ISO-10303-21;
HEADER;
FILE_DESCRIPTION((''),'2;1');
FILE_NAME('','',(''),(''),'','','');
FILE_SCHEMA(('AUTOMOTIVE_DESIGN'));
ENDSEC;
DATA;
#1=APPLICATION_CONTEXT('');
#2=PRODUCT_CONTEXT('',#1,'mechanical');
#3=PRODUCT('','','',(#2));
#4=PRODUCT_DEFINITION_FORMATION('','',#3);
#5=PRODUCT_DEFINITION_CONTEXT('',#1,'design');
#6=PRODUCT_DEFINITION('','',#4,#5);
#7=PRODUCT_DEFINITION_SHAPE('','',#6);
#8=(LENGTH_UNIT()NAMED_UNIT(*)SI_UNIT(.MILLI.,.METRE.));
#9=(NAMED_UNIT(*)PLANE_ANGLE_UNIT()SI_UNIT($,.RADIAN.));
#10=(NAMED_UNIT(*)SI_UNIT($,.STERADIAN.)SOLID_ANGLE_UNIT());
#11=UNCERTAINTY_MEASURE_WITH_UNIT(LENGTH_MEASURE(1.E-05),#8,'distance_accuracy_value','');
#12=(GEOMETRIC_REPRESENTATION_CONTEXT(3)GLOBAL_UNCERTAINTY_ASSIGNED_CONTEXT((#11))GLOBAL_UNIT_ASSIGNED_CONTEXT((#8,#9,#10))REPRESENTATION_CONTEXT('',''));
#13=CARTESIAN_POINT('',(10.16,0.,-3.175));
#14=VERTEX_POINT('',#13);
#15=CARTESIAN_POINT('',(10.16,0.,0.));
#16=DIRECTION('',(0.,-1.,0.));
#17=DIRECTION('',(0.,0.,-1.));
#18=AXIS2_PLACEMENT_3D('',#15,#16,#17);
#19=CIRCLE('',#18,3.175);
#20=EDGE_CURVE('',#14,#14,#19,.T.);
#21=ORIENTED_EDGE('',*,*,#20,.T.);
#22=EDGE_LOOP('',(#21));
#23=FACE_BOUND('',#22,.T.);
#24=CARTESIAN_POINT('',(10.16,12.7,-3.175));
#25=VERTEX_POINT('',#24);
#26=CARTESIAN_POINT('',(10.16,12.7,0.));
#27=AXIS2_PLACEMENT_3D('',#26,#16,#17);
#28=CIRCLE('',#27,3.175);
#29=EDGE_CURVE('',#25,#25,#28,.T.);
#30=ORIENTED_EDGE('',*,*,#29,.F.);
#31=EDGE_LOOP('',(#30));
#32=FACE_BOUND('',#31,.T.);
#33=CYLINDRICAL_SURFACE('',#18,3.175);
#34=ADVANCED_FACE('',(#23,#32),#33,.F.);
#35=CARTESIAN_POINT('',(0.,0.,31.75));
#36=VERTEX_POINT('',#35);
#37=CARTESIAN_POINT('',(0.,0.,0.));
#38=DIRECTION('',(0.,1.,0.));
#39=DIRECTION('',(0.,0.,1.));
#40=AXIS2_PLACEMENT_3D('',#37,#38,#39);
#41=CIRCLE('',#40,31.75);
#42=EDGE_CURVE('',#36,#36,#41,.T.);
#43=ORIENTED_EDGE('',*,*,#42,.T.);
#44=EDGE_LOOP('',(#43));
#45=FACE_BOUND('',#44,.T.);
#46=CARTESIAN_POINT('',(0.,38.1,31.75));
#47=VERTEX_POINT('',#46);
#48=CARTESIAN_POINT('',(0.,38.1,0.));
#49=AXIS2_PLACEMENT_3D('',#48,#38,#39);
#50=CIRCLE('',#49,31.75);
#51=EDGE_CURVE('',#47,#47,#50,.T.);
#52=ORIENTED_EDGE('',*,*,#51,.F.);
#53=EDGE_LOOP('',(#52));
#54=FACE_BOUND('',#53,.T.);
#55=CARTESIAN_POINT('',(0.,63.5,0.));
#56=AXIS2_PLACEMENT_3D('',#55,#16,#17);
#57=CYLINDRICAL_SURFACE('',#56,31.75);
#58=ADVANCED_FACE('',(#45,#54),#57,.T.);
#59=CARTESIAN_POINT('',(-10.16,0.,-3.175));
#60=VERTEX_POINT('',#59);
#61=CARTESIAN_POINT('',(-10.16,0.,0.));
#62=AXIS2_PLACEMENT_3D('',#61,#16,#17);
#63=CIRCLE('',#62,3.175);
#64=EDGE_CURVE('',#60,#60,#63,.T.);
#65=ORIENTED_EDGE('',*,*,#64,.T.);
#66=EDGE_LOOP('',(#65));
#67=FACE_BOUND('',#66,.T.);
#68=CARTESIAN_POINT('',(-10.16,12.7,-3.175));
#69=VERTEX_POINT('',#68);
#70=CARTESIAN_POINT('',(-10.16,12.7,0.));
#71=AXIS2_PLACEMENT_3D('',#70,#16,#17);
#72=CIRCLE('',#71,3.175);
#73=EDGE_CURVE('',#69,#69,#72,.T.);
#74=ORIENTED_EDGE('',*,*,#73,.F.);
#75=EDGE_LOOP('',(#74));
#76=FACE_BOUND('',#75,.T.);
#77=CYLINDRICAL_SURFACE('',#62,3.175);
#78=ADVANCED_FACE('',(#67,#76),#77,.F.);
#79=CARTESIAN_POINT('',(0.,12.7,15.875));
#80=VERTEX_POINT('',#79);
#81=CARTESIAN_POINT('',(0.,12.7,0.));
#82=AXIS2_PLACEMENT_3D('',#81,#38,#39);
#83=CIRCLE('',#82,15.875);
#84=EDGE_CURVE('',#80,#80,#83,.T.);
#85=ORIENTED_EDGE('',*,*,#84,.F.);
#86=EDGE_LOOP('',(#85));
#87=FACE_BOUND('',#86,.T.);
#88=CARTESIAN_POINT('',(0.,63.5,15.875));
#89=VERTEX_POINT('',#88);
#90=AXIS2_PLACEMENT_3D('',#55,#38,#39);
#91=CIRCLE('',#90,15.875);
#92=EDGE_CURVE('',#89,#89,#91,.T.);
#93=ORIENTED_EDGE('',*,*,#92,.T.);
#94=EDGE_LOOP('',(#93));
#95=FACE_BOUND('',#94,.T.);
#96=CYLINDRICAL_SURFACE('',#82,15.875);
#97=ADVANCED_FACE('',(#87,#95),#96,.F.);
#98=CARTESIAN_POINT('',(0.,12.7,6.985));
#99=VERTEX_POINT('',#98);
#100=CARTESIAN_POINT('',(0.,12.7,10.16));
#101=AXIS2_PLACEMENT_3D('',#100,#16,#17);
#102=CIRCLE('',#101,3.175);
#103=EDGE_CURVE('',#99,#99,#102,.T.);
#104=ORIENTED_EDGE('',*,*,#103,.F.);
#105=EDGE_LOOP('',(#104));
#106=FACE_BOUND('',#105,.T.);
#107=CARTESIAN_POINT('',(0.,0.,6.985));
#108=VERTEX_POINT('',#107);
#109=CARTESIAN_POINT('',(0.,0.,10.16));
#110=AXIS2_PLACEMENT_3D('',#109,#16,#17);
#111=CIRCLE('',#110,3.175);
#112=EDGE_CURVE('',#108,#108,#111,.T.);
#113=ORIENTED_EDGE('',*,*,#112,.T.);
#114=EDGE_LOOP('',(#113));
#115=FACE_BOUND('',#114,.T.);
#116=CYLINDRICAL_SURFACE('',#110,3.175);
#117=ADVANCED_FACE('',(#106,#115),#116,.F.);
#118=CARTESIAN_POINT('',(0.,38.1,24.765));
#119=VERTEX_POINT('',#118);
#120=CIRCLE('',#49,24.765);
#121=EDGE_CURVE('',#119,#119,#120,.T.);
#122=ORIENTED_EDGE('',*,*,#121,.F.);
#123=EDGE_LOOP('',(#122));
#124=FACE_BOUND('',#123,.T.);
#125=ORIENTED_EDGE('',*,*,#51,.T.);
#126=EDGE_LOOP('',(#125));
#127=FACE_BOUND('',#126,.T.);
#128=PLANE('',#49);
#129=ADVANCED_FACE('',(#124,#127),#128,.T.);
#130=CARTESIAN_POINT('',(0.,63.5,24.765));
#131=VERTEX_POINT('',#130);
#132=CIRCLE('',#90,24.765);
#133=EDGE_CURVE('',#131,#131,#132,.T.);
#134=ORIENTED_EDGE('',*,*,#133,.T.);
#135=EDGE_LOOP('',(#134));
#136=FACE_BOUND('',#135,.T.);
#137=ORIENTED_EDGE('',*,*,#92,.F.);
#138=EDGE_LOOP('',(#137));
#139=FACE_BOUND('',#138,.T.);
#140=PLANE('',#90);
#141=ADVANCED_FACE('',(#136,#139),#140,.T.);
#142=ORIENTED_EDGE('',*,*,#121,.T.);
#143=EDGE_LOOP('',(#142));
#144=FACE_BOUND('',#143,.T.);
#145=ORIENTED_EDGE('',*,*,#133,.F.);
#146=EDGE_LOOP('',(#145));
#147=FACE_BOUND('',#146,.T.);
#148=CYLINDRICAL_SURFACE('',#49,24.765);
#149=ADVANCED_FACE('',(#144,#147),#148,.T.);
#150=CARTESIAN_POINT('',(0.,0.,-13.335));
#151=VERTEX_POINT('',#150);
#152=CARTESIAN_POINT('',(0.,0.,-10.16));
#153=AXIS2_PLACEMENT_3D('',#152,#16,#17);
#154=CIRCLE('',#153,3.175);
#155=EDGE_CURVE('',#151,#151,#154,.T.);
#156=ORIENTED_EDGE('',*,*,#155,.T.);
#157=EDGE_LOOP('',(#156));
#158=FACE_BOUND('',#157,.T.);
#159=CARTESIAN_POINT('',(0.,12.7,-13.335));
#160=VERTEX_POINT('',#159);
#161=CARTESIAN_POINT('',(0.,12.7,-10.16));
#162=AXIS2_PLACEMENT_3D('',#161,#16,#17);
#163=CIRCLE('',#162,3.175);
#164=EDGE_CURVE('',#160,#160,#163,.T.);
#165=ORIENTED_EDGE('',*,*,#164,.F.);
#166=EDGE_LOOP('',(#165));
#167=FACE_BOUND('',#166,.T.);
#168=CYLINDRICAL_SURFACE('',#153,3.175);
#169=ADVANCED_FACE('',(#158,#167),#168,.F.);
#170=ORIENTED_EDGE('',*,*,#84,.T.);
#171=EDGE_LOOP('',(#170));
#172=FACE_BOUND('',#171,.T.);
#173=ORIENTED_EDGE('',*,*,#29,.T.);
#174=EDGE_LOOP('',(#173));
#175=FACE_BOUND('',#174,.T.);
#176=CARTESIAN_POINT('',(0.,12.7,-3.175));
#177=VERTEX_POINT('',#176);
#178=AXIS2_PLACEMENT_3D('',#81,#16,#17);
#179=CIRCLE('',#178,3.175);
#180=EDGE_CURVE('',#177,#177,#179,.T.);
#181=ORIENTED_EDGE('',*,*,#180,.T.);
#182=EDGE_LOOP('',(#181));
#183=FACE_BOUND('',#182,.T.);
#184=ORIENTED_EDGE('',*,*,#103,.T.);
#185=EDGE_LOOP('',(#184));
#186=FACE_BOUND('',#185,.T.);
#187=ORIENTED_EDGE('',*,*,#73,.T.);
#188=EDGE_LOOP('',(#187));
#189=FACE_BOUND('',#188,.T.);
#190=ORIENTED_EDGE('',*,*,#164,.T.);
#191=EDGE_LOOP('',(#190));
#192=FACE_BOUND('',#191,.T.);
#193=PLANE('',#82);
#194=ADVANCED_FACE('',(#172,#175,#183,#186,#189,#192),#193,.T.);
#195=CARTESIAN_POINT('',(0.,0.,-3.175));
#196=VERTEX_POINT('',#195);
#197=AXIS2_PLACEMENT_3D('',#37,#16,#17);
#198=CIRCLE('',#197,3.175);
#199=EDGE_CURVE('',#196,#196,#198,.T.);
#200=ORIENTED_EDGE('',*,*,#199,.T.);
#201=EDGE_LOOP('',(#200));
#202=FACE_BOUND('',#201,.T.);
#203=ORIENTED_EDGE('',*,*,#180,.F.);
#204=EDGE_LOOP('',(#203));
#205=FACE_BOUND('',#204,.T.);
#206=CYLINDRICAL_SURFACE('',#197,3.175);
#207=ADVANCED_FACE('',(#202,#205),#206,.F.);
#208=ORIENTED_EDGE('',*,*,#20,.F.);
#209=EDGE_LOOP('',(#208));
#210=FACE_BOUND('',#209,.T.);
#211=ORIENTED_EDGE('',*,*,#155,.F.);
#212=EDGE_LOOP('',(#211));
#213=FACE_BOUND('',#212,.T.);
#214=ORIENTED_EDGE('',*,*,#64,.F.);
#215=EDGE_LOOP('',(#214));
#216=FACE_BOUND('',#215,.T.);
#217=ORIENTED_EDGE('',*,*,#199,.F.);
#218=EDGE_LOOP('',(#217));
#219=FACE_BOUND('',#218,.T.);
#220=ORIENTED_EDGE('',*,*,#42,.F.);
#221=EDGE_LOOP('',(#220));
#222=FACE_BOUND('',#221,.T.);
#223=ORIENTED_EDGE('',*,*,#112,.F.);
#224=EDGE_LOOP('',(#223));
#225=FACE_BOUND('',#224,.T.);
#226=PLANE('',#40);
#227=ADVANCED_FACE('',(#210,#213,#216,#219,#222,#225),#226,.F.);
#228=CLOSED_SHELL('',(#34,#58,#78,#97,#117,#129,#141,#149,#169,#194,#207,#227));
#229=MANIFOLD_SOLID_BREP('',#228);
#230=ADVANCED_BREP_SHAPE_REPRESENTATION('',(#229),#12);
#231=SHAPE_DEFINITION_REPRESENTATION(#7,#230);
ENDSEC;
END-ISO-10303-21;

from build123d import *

# Parameters (mm, degrees)
SKETCH1_R                            = 31.75
BOSS_EXTRUDE1_DEPTH                  = 63.5
CUT_EXTRUDE2_START                   = -25.4
SKETCH2_R                            = 31.75
SKETCH2_R_2                          = 24.765
CUT_EXTRUDE2_DEPTH                   = 25.4
SKETCH3_R                            = 15.875
CUT_EXTRUDE3_DEPTH                   = 50.8
F_1_4_0_25_DIAMETER_HOLE1_AT_2_COUNT = 2
F_1_4_0_25_DIAMETER_HOLE1_AT_2_PITCH = 10.16
CIRPATTERN1_COUNT                    = 4


with BuildPart() as part:
    # Sketch1 → Boss-Extrude1 (new body)
    with BuildSketch(Plane(origin=(0, 0, 0), x_dir=(1, 0, 0), z_dir=(0, 1, 0))):
        with Locations(Location((0, 0, 0), (0, 0, 270))):
            Circle(SKETCH1_R)
    extrude(amount=BOSS_EXTRUDE1_DEPTH)

    # Sketch2 → Cut-Extrude2 (cut)
    with BuildSketch(Plane(origin=(0, 63.5, 0), x_dir=(1, 0, 0), z_dir=(0, 1, 0)).offset(CUT_EXTRUDE2_START)):
        with Locations(Location((0, 0, 0), (0, 0, 270))):
            Circle(SKETCH2_R)
        with Locations(Location((0, 0, 0), (0, 0, 270))):
            Circle(SKETCH2_R_2, mode=Mode.SUBTRACT)
    extrude(amount=CUT_EXTRUDE2_DEPTH, mode=Mode.SUBTRACT)

    # Sketch3 → Cut-Extrude3 (cut)
    with BuildSketch(Plane(origin=(0, 63.5, 0), x_dir=(1, 0, 0), z_dir=(0, 1, 0))):
        with Locations(Location((0, 0, 0), (0, 0, 270))):
            Circle(SKETCH3_R)
    extrude(amount=-CUT_EXTRUDE3_DEPTH, mode=Mode.SUBTRACT)

    # Sketch9 → 1/4 (0.25) Diameter Hole1 (revolve, cut)
    with BuildSketch(Plane(origin=(0, 0, -10.16), x_dir=(0, 0, -1), z_dir=(1, 0, 0))):
        Polygon((0, 0), (0, 14.607732465), (3.175, 12.7), (3.175, 0), align=None)
    f_1_4_0_25_diameter_hole1 = revolve(axis=Axis((0, -6.35, -10.16), (0, 1, 0)), mode=Mode.SUBTRACT)

    # 1/4 (0.25) Diameter Hole1 at 2: 1/4 (0.25) Diameter Hole1 ×2
    with Locations(*[(0, 0, i * F_1_4_0_25_DIAMETER_HOLE1_AT_2_PITCH) for i in range(1, F_1_4_0_25_DIAMETER_HOLE1_AT_2_COUNT)]):
        add(f_1_4_0_25_diameter_hole1, mode=Mode.SUBTRACT)

    # CirPattern1: 1/4 (0.25) Diameter Hole1 ×4 about axis
    cirpattern1_axis = Axis((0, 0, 0), (0, 1, 0))
    for i in range(1, CIRPATTERN1_COUNT):
        add(f_1_4_0_25_diameter_hole1.rotate(cirpattern1_axis, i * 360 / CIRPATTERN1_COUNT), mode=Mode.SUBTRACT)

    # CirPattern1 copy 1 sketch → CirPattern1 copy 1 (revolve, cut)
    with BuildSketch(Plane(origin=(0, 0, 0), x_dir=(-1, 0, 0), z_dir=(0, 0, -1))):
        Polygon((0, 0), (0, 14.607732465), (3.175, 12.7), (3.175, 0), align=None)
    revolve(axis=Axis((0, -6.35, 0), (0, 1, 0)), mode=Mode.SUBTRACT)

    # CirPattern1 copy 2 sketch → CirPattern1 copy 2 (revolve, cut)
    with BuildSketch(Plane.ZY):
        Polygon((0, 0), (0, 14.607732465), (3.175, 12.7), (3.175, 0), align=None)
    revolve(axis=Axis((0, -6.35, 0), (0, 1, 0)), mode=Mode.SUBTRACT)

    # CirPattern1 copy 3 sketch → CirPattern1 copy 3 (revolve, cut)
    with BuildSketch(Plane.XY):
        Polygon((0, 0), (0, 14.607732465), (3.175, 12.7), (3.175, 0), align=None)
    revolve(axis=Axis((0, -6.35, 0), (0, 1, 0)), mode=Mode.SUBTRACT)


solid = part.part
